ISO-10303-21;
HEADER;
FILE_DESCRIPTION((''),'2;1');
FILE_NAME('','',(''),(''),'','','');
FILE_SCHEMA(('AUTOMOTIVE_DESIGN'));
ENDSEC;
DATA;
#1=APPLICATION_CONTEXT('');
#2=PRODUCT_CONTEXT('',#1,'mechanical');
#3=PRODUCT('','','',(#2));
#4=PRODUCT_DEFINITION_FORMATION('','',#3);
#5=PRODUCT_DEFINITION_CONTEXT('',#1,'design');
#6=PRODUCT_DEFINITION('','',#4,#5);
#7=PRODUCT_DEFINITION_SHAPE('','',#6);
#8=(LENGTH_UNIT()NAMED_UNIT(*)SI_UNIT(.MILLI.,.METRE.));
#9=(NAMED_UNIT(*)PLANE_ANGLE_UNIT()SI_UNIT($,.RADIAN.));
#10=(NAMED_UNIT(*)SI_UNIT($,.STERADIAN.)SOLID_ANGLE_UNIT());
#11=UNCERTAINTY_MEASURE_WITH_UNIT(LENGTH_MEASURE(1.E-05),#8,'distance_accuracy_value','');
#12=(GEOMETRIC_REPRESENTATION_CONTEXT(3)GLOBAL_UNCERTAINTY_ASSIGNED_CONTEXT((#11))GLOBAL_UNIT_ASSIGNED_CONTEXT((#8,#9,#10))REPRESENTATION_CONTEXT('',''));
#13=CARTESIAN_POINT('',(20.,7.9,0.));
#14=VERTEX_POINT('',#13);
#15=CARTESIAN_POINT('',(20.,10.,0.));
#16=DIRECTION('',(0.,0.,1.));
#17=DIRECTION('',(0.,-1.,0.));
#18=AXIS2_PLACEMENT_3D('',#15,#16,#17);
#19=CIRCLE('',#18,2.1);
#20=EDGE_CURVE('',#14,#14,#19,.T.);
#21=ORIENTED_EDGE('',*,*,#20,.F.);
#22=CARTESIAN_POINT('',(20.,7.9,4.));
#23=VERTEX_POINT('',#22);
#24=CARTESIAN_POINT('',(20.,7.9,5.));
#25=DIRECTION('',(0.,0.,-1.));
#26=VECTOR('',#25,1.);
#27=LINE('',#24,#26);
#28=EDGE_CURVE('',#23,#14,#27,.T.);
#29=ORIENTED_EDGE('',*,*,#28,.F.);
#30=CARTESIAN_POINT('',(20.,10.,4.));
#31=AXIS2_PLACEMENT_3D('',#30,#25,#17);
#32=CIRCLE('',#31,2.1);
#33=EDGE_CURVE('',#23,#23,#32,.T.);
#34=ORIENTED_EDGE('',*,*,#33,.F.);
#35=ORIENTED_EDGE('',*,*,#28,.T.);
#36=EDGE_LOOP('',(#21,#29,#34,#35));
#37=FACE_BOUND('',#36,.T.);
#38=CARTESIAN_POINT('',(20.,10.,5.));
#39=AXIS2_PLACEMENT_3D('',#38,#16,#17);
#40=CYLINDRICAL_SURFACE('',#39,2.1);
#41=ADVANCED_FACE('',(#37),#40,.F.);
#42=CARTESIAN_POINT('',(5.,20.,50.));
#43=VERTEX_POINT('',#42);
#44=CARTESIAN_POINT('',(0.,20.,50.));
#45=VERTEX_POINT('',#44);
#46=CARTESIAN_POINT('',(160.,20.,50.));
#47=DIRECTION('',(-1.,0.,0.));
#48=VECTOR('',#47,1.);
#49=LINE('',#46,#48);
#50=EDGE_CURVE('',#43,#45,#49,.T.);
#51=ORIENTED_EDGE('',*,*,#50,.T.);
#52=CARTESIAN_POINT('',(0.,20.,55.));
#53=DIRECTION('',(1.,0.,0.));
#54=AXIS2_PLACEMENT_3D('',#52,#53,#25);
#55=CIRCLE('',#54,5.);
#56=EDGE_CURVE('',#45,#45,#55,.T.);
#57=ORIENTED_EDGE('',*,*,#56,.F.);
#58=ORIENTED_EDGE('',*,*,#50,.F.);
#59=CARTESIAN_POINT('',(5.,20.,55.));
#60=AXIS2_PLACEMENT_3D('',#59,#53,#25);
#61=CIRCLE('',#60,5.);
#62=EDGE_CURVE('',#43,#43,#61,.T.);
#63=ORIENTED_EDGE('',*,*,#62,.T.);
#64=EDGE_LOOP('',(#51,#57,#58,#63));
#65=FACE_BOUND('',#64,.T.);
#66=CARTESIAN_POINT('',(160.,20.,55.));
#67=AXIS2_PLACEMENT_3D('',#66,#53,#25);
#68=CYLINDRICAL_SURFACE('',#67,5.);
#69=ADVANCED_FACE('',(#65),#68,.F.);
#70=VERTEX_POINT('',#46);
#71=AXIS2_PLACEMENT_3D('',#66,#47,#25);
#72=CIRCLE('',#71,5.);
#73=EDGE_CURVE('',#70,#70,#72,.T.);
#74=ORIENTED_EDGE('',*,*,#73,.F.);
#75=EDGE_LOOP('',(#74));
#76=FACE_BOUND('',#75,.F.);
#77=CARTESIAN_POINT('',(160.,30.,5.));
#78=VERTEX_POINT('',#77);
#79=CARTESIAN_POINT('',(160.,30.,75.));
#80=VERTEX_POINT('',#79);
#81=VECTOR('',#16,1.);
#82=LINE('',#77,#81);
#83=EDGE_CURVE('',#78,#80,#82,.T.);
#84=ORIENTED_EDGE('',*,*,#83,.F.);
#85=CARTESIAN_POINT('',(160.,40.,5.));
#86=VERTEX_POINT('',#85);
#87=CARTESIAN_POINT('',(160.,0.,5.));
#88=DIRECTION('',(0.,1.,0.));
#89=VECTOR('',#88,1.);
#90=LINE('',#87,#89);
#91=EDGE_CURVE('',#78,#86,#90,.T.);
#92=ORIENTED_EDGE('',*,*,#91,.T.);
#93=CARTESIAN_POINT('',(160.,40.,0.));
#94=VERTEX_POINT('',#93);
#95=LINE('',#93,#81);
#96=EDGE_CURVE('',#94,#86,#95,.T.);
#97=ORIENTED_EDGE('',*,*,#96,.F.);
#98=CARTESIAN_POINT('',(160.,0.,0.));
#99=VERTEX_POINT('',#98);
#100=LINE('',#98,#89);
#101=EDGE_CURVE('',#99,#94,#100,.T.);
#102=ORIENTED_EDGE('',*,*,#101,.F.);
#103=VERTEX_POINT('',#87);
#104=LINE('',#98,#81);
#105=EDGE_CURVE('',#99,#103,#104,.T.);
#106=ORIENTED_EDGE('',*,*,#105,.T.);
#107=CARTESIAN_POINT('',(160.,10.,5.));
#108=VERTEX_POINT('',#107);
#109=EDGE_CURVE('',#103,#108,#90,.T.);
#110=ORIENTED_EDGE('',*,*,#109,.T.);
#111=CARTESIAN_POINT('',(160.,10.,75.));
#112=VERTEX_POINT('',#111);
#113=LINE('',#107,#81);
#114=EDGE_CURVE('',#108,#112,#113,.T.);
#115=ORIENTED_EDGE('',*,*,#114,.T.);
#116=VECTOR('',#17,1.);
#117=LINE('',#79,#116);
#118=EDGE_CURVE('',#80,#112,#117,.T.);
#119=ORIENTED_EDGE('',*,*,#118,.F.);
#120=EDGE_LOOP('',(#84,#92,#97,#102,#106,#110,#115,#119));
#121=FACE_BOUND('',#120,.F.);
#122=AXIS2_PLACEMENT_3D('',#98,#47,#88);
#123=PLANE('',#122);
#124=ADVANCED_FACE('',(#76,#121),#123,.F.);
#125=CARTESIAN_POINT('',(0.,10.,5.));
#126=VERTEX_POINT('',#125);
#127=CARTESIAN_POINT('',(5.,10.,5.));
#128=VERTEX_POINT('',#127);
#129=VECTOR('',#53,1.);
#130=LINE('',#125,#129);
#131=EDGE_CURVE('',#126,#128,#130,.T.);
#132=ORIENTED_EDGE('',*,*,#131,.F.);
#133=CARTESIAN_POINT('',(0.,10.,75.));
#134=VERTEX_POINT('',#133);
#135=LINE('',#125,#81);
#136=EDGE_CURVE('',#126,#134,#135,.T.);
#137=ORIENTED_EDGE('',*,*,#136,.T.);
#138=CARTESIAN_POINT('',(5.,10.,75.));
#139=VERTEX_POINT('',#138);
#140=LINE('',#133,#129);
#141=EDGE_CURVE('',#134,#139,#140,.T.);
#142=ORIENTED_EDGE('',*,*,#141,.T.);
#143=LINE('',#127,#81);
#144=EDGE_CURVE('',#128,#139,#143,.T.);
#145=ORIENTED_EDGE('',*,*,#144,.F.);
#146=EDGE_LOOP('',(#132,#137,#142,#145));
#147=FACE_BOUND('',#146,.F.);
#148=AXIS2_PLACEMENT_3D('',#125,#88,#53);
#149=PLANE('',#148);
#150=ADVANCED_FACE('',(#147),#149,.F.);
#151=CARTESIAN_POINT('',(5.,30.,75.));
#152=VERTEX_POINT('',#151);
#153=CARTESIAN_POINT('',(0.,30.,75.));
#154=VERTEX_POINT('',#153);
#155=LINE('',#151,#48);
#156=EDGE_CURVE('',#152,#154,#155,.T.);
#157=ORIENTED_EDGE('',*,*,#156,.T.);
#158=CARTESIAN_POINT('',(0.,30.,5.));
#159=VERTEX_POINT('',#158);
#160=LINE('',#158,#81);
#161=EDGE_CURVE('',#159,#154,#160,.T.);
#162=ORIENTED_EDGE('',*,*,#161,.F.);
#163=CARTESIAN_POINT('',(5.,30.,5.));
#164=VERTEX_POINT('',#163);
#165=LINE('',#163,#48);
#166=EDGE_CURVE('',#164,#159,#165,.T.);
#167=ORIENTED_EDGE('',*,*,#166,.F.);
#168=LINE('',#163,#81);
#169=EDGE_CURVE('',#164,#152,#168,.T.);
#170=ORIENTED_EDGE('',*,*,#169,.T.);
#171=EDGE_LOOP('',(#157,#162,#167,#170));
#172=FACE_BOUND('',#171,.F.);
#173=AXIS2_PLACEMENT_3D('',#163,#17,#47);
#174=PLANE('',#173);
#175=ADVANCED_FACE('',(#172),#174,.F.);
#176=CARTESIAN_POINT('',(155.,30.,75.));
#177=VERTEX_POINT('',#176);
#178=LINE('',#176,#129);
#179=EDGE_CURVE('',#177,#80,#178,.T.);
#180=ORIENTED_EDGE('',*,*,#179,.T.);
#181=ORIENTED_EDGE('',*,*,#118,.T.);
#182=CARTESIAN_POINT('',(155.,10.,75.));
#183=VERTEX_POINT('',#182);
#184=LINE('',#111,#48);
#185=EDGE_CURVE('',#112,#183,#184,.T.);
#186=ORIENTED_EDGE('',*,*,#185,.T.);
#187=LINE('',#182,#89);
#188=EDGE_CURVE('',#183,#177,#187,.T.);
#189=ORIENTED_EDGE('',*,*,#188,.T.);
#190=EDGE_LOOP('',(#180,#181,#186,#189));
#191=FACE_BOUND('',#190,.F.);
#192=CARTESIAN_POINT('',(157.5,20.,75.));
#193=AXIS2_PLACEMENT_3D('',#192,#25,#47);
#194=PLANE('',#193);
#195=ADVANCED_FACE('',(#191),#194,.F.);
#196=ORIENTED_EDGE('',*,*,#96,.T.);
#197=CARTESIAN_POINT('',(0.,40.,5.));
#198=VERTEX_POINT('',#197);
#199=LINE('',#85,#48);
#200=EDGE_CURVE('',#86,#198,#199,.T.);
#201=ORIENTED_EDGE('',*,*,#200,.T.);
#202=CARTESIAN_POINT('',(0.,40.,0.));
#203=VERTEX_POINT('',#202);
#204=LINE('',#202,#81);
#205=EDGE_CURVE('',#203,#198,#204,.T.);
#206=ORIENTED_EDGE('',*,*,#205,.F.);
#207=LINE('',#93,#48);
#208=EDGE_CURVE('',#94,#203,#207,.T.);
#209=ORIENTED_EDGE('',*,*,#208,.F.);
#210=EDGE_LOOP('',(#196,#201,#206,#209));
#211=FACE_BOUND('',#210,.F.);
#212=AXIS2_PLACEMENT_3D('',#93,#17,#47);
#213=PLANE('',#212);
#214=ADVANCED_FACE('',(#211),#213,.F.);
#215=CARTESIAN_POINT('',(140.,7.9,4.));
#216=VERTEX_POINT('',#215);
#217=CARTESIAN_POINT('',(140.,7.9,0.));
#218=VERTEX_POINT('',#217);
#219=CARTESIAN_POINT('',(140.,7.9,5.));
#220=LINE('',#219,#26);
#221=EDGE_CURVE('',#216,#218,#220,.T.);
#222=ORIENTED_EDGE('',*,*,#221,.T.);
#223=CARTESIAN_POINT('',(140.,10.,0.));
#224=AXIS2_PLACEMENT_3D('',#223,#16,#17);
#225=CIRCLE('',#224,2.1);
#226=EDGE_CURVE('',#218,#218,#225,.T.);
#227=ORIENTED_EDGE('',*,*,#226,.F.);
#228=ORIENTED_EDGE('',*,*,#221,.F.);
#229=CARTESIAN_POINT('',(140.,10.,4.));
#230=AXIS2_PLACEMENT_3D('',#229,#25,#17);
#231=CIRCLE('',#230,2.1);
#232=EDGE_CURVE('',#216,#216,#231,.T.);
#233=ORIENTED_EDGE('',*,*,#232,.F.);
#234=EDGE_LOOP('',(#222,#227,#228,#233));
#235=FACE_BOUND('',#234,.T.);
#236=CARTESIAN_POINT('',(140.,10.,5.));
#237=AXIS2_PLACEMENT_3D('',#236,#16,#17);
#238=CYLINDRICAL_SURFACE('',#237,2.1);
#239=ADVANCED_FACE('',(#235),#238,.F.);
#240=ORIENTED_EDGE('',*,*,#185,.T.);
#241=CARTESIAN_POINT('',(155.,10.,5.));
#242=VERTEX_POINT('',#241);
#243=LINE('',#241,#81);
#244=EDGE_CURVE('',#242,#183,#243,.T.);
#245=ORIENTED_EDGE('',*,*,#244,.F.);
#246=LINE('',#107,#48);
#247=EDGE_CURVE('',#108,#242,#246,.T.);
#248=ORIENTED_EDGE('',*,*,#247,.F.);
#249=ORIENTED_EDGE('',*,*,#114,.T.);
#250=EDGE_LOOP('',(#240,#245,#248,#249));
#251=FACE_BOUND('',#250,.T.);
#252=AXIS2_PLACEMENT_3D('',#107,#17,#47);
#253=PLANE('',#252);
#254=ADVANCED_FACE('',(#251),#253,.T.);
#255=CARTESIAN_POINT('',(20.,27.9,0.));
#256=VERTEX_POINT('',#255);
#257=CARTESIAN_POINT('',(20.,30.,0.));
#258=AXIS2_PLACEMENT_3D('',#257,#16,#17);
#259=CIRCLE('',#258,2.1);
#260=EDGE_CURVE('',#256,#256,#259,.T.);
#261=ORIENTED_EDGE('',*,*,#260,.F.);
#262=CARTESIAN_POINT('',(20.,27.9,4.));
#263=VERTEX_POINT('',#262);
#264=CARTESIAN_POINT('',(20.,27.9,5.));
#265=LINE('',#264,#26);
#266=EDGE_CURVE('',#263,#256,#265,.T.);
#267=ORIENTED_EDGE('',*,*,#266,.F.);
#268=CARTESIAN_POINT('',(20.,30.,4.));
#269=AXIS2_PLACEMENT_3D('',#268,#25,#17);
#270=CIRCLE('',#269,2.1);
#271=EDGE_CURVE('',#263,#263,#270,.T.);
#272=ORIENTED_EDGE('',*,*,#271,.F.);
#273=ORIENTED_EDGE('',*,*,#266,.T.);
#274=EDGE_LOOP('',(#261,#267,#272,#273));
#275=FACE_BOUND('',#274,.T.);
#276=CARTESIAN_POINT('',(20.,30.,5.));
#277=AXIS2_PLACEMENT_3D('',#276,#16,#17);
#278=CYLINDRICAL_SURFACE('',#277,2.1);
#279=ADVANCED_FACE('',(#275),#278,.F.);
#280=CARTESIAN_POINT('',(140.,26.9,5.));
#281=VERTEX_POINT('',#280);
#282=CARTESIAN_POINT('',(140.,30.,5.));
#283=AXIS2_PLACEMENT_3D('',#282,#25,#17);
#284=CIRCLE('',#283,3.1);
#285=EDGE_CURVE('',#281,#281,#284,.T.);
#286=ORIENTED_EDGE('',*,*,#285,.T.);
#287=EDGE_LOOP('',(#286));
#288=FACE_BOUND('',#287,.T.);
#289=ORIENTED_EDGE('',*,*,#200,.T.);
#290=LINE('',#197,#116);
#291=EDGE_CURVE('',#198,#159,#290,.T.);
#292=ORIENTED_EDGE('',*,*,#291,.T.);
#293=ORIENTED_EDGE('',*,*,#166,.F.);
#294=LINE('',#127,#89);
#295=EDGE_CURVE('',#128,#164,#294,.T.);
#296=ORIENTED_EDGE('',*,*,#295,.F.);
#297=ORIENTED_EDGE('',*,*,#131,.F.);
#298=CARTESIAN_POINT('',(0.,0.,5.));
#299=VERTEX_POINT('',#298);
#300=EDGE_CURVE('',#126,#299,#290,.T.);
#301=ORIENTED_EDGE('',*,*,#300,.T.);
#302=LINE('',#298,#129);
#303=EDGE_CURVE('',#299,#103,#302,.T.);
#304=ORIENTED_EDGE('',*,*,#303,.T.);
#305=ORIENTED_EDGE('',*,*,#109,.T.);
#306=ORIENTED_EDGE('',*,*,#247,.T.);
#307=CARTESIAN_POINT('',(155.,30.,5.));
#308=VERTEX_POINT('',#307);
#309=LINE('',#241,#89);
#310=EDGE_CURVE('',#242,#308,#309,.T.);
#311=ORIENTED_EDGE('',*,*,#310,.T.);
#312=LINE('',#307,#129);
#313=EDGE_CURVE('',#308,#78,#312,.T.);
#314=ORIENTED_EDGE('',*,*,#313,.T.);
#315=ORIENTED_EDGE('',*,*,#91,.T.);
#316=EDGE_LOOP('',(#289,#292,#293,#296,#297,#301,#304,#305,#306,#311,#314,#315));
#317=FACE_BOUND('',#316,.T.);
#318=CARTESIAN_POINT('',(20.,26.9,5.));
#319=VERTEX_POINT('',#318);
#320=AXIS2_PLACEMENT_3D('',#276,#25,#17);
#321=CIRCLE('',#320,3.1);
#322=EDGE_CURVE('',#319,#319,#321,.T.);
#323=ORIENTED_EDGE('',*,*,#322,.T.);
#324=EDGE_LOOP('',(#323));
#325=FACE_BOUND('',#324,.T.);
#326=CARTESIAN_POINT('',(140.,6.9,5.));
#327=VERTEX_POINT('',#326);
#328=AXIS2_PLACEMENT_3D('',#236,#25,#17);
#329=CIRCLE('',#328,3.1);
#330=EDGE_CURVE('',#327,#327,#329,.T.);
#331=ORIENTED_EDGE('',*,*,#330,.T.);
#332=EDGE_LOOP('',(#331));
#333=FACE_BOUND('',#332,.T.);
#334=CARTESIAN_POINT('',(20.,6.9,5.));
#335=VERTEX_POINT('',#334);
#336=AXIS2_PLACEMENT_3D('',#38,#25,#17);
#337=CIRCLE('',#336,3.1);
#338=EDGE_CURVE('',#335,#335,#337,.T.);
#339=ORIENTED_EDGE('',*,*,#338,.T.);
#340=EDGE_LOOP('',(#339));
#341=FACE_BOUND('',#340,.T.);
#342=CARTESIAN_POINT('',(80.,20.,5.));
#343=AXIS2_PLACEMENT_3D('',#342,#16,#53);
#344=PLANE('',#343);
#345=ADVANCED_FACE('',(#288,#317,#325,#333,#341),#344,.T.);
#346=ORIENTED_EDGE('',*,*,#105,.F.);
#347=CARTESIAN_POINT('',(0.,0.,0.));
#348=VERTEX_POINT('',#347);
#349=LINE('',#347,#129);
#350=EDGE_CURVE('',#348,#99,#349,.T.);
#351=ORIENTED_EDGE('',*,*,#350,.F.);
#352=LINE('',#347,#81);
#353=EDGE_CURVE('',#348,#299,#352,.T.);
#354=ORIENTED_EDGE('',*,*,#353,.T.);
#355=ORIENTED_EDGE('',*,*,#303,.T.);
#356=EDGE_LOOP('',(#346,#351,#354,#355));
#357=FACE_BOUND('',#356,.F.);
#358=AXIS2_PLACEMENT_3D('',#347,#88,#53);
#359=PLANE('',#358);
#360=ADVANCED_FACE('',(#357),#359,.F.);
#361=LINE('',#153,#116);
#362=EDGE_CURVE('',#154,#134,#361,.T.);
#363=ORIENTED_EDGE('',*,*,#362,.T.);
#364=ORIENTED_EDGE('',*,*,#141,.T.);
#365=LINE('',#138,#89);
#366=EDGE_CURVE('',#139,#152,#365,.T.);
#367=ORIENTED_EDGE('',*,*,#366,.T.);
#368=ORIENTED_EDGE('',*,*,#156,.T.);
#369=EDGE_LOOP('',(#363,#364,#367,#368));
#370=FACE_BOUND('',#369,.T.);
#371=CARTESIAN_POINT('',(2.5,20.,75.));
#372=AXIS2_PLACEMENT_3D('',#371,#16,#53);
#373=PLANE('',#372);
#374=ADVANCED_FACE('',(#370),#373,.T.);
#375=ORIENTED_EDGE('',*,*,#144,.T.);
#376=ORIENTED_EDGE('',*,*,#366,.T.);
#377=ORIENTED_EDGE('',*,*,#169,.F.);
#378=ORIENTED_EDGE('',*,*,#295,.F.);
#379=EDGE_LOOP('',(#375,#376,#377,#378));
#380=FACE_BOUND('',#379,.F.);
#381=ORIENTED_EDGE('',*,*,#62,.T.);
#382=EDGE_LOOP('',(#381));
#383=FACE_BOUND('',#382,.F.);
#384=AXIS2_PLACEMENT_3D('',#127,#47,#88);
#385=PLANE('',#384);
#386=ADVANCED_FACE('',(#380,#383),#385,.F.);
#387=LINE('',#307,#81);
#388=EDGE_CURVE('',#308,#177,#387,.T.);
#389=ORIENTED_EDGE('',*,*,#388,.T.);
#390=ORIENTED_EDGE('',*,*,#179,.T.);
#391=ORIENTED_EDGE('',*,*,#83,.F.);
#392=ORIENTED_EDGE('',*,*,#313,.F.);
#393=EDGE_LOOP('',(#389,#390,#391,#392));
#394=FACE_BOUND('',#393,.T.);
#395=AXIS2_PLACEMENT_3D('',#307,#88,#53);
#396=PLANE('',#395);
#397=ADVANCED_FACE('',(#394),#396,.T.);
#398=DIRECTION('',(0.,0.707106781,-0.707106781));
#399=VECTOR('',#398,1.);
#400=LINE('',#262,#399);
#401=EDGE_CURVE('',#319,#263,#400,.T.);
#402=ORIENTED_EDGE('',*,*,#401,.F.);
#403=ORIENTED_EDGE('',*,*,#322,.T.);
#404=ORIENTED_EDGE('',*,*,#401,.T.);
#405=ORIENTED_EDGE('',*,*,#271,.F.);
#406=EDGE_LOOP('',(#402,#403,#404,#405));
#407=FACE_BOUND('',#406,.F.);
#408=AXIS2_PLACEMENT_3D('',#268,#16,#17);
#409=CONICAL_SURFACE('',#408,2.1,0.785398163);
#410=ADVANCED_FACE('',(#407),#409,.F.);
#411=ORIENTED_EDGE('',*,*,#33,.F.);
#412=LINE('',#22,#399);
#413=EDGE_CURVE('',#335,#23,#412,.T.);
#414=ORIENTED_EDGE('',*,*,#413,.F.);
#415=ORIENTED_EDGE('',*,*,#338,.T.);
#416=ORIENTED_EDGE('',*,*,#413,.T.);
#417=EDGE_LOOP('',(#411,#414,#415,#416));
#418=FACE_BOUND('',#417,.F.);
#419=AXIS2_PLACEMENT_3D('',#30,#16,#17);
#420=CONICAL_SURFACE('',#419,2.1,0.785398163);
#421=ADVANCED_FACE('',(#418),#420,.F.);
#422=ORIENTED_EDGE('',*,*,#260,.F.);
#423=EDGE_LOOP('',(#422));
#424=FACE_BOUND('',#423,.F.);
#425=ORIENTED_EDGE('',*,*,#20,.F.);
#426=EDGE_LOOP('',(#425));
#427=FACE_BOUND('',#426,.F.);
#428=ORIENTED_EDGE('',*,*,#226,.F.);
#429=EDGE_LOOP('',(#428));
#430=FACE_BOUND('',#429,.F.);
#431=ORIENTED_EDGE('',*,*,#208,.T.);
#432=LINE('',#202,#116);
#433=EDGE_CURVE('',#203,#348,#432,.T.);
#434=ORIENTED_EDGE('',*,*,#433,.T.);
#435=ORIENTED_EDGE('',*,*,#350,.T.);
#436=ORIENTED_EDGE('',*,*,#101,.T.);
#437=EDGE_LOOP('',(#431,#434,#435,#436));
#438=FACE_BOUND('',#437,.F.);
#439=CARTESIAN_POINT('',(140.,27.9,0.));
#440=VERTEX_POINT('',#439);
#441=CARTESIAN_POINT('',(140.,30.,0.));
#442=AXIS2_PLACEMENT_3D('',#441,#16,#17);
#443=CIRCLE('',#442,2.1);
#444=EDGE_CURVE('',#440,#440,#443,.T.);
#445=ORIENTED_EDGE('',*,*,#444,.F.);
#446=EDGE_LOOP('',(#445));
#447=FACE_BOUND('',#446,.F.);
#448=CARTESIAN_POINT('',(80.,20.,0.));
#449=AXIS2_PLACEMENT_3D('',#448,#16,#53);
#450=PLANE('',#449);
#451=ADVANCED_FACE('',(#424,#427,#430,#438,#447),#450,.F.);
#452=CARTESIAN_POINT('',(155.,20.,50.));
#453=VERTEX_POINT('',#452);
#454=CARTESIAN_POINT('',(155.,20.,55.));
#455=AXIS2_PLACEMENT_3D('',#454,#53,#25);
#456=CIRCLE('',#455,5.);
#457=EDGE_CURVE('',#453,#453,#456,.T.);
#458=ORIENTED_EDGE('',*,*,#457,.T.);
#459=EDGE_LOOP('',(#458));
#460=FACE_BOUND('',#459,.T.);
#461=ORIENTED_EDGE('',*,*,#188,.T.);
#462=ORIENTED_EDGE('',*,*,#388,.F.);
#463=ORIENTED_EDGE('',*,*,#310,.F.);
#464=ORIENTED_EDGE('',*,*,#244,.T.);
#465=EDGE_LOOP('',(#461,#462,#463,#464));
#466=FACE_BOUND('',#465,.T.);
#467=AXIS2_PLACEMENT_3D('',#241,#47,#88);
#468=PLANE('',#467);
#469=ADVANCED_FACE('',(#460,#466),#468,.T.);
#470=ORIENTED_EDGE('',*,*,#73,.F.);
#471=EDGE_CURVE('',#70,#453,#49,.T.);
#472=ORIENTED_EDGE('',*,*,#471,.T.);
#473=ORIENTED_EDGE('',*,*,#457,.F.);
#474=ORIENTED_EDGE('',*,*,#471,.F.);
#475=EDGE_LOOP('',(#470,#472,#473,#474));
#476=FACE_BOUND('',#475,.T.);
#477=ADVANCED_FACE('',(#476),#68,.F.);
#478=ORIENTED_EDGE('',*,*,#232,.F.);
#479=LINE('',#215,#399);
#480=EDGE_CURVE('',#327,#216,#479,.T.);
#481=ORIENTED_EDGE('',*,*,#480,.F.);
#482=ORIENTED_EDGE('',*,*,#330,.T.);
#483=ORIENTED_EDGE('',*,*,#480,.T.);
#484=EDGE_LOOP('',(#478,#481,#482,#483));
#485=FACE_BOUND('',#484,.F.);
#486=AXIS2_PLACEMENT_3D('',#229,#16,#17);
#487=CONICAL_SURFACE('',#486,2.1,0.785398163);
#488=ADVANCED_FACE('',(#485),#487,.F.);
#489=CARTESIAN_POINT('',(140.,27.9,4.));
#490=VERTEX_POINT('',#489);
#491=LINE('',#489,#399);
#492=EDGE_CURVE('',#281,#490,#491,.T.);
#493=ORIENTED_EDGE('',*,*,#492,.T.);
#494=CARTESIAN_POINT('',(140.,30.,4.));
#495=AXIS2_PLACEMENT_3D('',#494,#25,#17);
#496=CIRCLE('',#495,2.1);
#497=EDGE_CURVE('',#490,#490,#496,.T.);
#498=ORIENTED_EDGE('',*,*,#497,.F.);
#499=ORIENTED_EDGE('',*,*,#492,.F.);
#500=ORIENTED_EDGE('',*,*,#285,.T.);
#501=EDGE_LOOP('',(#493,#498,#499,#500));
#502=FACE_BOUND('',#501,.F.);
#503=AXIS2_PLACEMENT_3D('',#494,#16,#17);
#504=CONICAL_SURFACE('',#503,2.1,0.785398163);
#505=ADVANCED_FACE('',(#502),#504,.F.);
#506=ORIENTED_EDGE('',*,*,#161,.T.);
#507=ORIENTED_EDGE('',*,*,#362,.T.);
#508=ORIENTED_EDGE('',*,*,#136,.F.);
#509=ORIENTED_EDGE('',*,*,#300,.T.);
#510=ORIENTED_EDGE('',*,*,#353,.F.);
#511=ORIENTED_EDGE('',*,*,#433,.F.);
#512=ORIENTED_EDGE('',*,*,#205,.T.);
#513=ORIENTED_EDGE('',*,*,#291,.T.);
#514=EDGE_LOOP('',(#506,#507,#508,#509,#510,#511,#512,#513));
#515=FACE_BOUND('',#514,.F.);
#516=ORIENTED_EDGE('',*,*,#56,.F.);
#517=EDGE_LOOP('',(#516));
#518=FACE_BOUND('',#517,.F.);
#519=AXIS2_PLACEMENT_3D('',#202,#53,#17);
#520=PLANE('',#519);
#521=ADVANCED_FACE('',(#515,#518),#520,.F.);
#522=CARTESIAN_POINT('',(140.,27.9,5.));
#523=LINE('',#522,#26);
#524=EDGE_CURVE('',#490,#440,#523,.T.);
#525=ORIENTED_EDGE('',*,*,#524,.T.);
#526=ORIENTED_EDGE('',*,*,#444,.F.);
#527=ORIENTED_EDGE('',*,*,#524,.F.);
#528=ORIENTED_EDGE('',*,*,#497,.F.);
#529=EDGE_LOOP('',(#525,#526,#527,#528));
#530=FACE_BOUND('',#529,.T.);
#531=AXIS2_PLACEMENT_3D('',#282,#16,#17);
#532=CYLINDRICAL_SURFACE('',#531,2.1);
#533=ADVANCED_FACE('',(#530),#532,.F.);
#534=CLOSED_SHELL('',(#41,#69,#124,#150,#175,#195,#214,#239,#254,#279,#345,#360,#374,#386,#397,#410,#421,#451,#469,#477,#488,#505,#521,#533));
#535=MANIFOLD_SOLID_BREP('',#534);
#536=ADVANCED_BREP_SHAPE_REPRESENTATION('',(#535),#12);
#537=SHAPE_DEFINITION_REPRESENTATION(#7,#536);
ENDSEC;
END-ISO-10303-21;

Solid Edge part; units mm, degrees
sketch "Sketch1" plane through (0, 0, 0) normal (0, 0, 1) x (1, 0, 0)
  line L0 (160, 0) -> (160, 40)
  line L1 (160, 40) -> (0, 40)
  line L2 (0, 40) -> (0, 0)
  line L3 (0, 0) -> (160, 0)
extrude "Protrusion1" add sketch "Sketch1" along normal blind 5
sketch "Sketch2" plane through (75, 20, 5) normal (0, 0, 1) x (1, 0, 0)
  line L0 (80, 10) -> (85, 10)
  line L1 (85, 10) -> (85, -10)
  line L2 (85, -10) -> (80, -10)
  line L3 (80, -10) -> (80, 10)
  line L4 (-70, -10) -> (-70, 10)
  line L5 (-70, 10) -> (-75, 10)
  line L6 (-75, 10) -> (-75, -10)
  line L7 (-75, -10) -> (-70, -10)
  dimension "D1" = 5
  dimension "D2" = 10
  dimension "D3" = 10
  dimension "D4" = 20
  dimension "D5" = 10
  dimension "D6" = 20
  dimension "D7" = 10
extrude "ExtrudedProtrusion_2" add sketch "Sketch2" along normal blind 70
hole "Bohrung_1" at (20, 30, 5) direction (0, 0, -1) diameter 4.2 end up to next start chamfer 1 start chamfer angle 45
hole "Hole1" at (20, 10, 5) direction (0, 0, -1) diameter 4.2 end up to next start chamfer 1 start chamfer angle 45
hole "Hole2" at (140, 10, 5) direction (0, 0, -1) diameter 4.2 end up to next start chamfer 1 start chamfer angle 45
hole "Hole3" at (140, 30, 5) direction (0, 0, -1) diameter 4.2 end up to next start chamfer 1 start chamfer angle 45
hole "Bohrung_6" at (160, 20, 55) direction (-1, 0, 0) diameter 10 end through all
